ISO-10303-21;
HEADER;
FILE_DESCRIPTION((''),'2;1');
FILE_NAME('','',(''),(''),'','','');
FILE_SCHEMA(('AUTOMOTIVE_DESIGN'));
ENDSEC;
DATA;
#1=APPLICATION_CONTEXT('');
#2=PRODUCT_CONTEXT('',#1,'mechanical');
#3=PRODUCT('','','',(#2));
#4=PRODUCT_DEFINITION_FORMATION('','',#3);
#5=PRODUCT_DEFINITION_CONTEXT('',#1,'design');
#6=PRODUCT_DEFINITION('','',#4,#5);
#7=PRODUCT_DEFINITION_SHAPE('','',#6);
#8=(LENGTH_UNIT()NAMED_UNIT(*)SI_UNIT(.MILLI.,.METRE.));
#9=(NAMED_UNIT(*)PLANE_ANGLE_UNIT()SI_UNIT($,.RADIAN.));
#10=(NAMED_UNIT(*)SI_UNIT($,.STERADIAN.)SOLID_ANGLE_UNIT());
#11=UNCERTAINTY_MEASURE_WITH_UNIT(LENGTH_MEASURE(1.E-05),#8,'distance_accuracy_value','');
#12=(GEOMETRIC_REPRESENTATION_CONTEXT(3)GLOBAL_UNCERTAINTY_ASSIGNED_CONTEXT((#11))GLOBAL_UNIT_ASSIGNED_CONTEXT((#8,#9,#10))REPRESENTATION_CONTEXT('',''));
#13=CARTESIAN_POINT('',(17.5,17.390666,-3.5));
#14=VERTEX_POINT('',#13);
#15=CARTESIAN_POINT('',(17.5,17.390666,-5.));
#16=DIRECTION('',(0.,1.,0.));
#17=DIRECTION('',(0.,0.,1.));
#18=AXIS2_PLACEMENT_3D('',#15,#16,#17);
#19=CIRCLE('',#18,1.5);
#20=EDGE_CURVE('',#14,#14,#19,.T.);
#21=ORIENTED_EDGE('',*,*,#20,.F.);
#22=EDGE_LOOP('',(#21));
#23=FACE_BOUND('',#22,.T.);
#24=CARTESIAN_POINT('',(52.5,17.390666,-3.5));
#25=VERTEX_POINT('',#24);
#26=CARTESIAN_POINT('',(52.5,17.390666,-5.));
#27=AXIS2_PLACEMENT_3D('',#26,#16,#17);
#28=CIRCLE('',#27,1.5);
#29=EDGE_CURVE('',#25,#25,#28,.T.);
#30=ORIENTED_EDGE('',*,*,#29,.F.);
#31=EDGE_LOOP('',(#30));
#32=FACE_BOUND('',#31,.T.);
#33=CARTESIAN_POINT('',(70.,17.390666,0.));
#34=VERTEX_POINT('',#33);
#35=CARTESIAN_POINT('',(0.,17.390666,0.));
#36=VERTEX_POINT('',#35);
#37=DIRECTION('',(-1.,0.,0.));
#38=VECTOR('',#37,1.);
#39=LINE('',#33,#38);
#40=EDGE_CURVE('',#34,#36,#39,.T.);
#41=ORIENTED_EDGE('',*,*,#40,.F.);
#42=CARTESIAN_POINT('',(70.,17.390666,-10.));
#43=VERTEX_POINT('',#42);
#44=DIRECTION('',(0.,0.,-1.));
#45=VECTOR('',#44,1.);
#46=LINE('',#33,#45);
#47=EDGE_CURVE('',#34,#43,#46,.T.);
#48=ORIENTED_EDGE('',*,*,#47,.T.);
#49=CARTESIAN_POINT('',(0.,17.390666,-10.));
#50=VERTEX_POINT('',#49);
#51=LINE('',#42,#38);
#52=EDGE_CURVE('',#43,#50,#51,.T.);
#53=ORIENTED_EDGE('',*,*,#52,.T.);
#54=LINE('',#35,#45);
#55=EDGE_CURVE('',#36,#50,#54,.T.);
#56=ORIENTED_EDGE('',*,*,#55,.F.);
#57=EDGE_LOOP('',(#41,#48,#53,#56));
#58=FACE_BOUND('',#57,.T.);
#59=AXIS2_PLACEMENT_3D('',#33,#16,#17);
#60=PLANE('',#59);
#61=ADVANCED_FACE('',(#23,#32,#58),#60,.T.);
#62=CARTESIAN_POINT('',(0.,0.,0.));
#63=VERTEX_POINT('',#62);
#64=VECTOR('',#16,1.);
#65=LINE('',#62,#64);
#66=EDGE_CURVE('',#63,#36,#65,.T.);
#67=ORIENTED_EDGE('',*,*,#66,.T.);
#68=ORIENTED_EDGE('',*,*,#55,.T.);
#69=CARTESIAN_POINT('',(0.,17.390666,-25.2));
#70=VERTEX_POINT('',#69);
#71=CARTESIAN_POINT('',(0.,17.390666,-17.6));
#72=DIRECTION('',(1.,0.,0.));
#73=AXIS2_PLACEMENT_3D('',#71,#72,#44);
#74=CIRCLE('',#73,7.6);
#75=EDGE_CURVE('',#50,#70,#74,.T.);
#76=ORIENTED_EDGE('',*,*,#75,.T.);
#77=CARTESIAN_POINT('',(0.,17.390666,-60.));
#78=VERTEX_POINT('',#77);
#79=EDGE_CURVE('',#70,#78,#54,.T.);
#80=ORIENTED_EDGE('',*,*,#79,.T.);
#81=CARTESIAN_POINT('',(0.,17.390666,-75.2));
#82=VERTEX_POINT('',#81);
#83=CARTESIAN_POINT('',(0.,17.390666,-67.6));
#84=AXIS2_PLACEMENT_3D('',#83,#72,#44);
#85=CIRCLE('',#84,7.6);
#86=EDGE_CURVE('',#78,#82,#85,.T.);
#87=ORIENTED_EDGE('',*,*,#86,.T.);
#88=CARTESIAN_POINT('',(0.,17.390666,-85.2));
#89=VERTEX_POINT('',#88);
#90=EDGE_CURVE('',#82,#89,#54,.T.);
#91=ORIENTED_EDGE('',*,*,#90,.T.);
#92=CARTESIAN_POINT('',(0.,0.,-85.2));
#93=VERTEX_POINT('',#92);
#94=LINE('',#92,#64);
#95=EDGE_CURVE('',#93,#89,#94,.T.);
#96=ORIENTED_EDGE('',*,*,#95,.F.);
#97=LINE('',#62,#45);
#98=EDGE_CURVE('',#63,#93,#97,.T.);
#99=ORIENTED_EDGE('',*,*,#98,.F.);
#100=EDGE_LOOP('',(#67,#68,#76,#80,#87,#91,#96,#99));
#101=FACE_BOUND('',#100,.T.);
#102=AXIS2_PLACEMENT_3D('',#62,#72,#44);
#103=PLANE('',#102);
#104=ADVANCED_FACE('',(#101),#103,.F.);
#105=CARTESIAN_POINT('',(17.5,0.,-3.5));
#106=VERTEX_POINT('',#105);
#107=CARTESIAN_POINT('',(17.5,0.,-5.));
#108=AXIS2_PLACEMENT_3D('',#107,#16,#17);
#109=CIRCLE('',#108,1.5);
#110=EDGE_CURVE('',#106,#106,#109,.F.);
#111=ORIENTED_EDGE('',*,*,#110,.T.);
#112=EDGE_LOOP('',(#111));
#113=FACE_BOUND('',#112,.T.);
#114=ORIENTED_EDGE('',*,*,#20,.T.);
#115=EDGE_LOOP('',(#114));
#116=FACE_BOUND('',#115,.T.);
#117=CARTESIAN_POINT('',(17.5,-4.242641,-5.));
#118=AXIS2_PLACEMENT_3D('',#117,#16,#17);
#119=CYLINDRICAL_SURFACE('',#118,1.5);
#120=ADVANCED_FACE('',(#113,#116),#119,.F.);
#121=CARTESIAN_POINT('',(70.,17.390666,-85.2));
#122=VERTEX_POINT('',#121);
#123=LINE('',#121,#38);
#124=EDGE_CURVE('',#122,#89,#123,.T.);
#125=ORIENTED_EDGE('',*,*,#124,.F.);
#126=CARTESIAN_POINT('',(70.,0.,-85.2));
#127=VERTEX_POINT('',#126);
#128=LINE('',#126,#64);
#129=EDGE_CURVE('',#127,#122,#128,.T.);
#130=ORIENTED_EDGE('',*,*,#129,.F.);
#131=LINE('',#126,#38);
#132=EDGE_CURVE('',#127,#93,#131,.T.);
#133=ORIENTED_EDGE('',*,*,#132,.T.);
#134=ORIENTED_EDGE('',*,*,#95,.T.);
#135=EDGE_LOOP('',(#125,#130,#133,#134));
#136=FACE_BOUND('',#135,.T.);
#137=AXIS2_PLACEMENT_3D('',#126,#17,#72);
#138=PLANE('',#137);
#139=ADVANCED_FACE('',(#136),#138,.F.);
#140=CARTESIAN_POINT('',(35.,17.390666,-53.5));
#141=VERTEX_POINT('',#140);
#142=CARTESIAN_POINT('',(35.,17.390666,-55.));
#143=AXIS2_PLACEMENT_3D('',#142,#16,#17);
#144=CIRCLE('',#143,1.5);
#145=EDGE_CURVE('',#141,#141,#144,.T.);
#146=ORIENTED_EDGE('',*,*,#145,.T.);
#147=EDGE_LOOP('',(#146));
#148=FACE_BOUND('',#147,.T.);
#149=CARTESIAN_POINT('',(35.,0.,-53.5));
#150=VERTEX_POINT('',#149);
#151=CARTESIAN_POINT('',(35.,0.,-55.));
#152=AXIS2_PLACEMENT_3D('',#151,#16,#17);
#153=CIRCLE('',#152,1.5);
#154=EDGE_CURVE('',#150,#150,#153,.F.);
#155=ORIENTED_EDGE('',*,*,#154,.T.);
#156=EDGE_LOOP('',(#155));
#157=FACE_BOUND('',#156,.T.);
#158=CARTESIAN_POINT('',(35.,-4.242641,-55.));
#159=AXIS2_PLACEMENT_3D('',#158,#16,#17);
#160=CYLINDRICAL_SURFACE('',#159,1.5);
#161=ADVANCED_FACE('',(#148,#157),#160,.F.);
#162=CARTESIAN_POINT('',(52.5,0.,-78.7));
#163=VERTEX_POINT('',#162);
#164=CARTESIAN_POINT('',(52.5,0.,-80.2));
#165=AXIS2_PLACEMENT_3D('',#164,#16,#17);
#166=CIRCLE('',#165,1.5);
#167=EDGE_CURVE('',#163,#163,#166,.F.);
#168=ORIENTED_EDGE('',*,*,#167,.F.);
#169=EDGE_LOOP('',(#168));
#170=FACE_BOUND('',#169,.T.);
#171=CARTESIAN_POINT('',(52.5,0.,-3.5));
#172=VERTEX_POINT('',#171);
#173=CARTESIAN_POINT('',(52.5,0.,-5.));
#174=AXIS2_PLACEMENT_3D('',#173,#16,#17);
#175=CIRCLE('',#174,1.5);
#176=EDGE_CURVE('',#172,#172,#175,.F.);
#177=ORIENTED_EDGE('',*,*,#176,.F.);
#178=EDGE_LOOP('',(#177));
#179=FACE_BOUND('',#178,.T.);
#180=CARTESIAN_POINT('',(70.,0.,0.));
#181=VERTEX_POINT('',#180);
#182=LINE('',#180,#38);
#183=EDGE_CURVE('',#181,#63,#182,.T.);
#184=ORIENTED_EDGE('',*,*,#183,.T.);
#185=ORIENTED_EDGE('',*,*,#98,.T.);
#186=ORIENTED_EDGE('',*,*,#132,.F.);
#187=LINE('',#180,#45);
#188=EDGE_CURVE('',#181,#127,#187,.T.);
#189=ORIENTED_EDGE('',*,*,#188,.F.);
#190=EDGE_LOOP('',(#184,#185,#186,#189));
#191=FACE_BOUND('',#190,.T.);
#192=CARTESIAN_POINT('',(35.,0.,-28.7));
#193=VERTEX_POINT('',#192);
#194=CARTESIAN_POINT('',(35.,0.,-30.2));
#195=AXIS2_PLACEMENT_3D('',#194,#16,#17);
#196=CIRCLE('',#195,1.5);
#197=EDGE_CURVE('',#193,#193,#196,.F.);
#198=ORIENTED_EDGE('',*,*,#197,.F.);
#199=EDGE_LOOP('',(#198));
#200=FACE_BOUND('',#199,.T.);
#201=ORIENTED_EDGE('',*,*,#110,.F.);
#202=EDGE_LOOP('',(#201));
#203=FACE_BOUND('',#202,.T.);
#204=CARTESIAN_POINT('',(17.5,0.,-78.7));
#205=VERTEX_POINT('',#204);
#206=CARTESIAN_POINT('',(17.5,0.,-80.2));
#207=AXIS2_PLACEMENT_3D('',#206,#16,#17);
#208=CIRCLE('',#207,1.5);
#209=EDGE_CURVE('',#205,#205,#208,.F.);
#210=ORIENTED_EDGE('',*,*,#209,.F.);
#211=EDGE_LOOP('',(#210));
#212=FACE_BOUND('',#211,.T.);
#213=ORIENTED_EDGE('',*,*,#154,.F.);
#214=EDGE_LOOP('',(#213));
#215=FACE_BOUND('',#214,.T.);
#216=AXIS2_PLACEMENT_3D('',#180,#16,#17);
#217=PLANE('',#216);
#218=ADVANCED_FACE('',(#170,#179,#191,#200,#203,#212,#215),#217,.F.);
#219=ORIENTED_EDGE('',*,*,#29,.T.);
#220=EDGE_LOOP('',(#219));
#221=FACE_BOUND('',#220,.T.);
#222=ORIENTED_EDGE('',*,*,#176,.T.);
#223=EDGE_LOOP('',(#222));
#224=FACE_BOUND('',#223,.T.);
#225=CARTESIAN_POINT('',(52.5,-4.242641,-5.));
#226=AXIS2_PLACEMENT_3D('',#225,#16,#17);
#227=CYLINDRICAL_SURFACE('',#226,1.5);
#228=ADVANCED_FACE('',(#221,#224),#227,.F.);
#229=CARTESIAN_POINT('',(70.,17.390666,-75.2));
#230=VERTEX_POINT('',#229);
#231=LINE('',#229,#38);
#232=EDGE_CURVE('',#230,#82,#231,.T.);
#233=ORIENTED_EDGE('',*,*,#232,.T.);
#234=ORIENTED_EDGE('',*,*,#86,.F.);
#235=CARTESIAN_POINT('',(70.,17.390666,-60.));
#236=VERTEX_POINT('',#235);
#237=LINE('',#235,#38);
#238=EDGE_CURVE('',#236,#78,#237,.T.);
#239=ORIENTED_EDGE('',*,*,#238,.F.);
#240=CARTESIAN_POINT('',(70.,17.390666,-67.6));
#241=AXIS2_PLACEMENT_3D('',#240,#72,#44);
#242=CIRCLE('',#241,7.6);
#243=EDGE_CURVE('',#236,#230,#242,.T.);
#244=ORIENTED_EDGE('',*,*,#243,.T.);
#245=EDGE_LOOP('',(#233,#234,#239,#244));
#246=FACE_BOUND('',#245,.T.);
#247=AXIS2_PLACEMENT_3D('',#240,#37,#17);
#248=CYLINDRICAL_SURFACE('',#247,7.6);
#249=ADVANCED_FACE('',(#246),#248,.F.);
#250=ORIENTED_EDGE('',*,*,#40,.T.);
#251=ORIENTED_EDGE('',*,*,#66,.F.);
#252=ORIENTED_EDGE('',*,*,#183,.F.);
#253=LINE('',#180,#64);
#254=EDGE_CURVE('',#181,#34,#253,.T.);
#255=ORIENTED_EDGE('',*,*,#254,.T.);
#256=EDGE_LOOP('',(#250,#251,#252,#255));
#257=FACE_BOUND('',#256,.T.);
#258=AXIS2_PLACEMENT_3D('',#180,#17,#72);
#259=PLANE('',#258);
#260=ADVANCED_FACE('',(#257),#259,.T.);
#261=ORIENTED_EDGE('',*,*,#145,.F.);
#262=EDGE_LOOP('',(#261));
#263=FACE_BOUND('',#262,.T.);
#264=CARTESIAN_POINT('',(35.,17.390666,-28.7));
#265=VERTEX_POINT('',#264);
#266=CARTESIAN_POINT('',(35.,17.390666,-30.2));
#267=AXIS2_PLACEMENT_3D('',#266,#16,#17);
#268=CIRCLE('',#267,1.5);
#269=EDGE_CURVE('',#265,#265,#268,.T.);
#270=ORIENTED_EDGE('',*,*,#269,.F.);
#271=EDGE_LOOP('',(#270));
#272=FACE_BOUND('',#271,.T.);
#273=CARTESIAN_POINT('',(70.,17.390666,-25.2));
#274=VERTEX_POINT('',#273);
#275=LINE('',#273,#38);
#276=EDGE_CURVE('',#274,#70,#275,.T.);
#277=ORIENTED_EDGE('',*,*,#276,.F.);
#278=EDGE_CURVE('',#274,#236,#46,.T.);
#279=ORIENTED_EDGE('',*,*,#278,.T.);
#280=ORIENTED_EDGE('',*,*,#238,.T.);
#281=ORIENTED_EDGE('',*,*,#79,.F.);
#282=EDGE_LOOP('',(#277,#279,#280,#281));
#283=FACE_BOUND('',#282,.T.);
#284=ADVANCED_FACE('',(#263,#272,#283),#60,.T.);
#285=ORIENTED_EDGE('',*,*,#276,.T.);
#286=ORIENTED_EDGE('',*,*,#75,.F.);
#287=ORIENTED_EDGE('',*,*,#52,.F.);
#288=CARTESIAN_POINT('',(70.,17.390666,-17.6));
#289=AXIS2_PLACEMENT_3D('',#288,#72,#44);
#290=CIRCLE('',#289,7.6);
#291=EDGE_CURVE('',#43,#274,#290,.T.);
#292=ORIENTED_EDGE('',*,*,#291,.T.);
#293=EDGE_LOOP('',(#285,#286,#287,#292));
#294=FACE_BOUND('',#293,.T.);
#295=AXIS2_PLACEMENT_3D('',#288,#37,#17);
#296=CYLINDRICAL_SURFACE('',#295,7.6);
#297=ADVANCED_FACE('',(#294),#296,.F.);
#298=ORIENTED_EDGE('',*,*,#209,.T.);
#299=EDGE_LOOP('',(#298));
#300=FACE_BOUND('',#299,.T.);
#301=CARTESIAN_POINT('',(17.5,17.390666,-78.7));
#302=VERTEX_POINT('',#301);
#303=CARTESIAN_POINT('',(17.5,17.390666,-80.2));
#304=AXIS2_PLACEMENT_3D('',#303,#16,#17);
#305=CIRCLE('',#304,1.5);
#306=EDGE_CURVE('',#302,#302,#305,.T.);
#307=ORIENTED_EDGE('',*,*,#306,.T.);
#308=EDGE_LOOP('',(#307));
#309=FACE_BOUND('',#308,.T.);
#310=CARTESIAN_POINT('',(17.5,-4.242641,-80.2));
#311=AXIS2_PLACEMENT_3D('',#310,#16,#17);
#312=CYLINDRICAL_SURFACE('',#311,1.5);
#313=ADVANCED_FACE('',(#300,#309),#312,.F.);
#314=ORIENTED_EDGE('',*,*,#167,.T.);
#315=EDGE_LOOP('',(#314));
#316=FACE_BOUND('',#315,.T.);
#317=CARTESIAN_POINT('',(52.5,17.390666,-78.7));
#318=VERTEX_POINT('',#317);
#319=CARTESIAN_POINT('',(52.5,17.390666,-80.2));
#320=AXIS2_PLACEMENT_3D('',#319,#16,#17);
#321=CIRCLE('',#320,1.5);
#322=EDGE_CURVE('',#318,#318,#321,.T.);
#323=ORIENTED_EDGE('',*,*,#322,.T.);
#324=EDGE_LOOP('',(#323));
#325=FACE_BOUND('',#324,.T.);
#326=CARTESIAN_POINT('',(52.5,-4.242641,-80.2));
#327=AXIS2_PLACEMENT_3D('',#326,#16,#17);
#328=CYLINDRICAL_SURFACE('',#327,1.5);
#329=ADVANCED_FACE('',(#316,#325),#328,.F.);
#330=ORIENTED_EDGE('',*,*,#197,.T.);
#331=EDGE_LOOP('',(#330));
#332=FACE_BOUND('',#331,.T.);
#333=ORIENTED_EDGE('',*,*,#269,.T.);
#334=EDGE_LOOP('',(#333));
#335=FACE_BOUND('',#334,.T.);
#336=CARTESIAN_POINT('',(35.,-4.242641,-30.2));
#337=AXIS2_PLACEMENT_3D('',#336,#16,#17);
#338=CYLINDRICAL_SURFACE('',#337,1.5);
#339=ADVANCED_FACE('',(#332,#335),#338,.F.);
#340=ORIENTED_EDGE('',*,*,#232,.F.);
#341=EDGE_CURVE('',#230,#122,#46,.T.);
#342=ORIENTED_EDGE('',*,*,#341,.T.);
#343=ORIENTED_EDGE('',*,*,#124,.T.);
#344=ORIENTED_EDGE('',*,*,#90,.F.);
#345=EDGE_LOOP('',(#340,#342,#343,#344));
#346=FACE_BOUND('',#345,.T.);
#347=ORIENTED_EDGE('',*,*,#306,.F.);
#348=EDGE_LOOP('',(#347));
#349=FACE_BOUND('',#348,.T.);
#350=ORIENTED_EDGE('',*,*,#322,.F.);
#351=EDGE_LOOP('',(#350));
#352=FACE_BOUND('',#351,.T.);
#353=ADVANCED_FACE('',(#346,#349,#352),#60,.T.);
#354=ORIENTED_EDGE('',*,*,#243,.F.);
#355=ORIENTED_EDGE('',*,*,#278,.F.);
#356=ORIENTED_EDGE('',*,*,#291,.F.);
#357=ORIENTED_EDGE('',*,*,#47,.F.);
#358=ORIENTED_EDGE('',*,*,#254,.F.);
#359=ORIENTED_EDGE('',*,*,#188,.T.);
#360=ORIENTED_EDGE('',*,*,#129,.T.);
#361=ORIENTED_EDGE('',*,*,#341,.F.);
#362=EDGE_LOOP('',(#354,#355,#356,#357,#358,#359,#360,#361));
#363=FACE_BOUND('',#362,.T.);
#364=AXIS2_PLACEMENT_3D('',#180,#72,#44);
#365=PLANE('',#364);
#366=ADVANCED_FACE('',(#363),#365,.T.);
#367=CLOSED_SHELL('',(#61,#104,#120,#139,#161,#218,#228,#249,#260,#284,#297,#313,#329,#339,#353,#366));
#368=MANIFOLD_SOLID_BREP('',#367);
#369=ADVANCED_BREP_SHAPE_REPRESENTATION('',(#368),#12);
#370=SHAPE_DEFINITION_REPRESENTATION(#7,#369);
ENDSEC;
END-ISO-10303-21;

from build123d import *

# Parameters (mm, degrees)
BOSS_EXTRUDE1_DEPTH = 70
SKETCH2_R           = 1.5
CUT_EXTRUDE1_DEPTH  = 17.390666387


with BuildPart() as part:
    # Sketch1 → Boss-Extrude1 (new body)
    with BuildSketch(Plane.YZ):
        with BuildLine():
            ThreePointArc((17.390666387, -60), (9.790666387, -67.6), (17.390666387, -75.2))
            Line((17.390666387, -75.2), (17.390666387, -85.2))
            Line((17.390666387, -85.2), (0, -85.2))
            Line((0, -85.2), (0, 0))
            Line((0, 0), (17.390666387, 0))
            Line((17.390666387, 0), (17.390666387, -10))
            ThreePointArc((17.390666387, -10), (9.790666387, -17.6), (17.390666387, -25.2))
            Line((17.390666387, -25.2), (17.390666387, -60))
        make_face()
    extrude(amount=BOSS_EXTRUDE1_DEPTH)

    # Sketch2 → Cut-Extrude1 (cut)
    with BuildSketch(Plane(origin=(0, 17.390666387, 0), x_dir=(-1, 0, 0), z_dir=(0, 1, 0))):
        with Locations(Location((-52.5, -5, 0), (0, 0, 90))):
            Circle(SKETCH2_R)
        with Locations(Location((-17.5, -5, 0), (0, 0, 90))):
            Circle(SKETCH2_R)
        with Locations(Location((-52.5, -80.2, 0), (0, 0, 90))):
            Circle(SKETCH2_R)
        with Locations(Location((-17.5, -80.2, 0), (0, 0, 90))):
            Circle(SKETCH2_R)
        with Locations(Location((-35, -30.2, 0), (0, 0, 90))):
            Circle(SKETCH2_R)
        with Locations(Location((-35, -55, 0), (0, 0, 90))):
            Circle(SKETCH2_R)
    extrude(amount=-CUT_EXTRUDE1_DEPTH, mode=Mode.SUBTRACT)


solid = part.part
